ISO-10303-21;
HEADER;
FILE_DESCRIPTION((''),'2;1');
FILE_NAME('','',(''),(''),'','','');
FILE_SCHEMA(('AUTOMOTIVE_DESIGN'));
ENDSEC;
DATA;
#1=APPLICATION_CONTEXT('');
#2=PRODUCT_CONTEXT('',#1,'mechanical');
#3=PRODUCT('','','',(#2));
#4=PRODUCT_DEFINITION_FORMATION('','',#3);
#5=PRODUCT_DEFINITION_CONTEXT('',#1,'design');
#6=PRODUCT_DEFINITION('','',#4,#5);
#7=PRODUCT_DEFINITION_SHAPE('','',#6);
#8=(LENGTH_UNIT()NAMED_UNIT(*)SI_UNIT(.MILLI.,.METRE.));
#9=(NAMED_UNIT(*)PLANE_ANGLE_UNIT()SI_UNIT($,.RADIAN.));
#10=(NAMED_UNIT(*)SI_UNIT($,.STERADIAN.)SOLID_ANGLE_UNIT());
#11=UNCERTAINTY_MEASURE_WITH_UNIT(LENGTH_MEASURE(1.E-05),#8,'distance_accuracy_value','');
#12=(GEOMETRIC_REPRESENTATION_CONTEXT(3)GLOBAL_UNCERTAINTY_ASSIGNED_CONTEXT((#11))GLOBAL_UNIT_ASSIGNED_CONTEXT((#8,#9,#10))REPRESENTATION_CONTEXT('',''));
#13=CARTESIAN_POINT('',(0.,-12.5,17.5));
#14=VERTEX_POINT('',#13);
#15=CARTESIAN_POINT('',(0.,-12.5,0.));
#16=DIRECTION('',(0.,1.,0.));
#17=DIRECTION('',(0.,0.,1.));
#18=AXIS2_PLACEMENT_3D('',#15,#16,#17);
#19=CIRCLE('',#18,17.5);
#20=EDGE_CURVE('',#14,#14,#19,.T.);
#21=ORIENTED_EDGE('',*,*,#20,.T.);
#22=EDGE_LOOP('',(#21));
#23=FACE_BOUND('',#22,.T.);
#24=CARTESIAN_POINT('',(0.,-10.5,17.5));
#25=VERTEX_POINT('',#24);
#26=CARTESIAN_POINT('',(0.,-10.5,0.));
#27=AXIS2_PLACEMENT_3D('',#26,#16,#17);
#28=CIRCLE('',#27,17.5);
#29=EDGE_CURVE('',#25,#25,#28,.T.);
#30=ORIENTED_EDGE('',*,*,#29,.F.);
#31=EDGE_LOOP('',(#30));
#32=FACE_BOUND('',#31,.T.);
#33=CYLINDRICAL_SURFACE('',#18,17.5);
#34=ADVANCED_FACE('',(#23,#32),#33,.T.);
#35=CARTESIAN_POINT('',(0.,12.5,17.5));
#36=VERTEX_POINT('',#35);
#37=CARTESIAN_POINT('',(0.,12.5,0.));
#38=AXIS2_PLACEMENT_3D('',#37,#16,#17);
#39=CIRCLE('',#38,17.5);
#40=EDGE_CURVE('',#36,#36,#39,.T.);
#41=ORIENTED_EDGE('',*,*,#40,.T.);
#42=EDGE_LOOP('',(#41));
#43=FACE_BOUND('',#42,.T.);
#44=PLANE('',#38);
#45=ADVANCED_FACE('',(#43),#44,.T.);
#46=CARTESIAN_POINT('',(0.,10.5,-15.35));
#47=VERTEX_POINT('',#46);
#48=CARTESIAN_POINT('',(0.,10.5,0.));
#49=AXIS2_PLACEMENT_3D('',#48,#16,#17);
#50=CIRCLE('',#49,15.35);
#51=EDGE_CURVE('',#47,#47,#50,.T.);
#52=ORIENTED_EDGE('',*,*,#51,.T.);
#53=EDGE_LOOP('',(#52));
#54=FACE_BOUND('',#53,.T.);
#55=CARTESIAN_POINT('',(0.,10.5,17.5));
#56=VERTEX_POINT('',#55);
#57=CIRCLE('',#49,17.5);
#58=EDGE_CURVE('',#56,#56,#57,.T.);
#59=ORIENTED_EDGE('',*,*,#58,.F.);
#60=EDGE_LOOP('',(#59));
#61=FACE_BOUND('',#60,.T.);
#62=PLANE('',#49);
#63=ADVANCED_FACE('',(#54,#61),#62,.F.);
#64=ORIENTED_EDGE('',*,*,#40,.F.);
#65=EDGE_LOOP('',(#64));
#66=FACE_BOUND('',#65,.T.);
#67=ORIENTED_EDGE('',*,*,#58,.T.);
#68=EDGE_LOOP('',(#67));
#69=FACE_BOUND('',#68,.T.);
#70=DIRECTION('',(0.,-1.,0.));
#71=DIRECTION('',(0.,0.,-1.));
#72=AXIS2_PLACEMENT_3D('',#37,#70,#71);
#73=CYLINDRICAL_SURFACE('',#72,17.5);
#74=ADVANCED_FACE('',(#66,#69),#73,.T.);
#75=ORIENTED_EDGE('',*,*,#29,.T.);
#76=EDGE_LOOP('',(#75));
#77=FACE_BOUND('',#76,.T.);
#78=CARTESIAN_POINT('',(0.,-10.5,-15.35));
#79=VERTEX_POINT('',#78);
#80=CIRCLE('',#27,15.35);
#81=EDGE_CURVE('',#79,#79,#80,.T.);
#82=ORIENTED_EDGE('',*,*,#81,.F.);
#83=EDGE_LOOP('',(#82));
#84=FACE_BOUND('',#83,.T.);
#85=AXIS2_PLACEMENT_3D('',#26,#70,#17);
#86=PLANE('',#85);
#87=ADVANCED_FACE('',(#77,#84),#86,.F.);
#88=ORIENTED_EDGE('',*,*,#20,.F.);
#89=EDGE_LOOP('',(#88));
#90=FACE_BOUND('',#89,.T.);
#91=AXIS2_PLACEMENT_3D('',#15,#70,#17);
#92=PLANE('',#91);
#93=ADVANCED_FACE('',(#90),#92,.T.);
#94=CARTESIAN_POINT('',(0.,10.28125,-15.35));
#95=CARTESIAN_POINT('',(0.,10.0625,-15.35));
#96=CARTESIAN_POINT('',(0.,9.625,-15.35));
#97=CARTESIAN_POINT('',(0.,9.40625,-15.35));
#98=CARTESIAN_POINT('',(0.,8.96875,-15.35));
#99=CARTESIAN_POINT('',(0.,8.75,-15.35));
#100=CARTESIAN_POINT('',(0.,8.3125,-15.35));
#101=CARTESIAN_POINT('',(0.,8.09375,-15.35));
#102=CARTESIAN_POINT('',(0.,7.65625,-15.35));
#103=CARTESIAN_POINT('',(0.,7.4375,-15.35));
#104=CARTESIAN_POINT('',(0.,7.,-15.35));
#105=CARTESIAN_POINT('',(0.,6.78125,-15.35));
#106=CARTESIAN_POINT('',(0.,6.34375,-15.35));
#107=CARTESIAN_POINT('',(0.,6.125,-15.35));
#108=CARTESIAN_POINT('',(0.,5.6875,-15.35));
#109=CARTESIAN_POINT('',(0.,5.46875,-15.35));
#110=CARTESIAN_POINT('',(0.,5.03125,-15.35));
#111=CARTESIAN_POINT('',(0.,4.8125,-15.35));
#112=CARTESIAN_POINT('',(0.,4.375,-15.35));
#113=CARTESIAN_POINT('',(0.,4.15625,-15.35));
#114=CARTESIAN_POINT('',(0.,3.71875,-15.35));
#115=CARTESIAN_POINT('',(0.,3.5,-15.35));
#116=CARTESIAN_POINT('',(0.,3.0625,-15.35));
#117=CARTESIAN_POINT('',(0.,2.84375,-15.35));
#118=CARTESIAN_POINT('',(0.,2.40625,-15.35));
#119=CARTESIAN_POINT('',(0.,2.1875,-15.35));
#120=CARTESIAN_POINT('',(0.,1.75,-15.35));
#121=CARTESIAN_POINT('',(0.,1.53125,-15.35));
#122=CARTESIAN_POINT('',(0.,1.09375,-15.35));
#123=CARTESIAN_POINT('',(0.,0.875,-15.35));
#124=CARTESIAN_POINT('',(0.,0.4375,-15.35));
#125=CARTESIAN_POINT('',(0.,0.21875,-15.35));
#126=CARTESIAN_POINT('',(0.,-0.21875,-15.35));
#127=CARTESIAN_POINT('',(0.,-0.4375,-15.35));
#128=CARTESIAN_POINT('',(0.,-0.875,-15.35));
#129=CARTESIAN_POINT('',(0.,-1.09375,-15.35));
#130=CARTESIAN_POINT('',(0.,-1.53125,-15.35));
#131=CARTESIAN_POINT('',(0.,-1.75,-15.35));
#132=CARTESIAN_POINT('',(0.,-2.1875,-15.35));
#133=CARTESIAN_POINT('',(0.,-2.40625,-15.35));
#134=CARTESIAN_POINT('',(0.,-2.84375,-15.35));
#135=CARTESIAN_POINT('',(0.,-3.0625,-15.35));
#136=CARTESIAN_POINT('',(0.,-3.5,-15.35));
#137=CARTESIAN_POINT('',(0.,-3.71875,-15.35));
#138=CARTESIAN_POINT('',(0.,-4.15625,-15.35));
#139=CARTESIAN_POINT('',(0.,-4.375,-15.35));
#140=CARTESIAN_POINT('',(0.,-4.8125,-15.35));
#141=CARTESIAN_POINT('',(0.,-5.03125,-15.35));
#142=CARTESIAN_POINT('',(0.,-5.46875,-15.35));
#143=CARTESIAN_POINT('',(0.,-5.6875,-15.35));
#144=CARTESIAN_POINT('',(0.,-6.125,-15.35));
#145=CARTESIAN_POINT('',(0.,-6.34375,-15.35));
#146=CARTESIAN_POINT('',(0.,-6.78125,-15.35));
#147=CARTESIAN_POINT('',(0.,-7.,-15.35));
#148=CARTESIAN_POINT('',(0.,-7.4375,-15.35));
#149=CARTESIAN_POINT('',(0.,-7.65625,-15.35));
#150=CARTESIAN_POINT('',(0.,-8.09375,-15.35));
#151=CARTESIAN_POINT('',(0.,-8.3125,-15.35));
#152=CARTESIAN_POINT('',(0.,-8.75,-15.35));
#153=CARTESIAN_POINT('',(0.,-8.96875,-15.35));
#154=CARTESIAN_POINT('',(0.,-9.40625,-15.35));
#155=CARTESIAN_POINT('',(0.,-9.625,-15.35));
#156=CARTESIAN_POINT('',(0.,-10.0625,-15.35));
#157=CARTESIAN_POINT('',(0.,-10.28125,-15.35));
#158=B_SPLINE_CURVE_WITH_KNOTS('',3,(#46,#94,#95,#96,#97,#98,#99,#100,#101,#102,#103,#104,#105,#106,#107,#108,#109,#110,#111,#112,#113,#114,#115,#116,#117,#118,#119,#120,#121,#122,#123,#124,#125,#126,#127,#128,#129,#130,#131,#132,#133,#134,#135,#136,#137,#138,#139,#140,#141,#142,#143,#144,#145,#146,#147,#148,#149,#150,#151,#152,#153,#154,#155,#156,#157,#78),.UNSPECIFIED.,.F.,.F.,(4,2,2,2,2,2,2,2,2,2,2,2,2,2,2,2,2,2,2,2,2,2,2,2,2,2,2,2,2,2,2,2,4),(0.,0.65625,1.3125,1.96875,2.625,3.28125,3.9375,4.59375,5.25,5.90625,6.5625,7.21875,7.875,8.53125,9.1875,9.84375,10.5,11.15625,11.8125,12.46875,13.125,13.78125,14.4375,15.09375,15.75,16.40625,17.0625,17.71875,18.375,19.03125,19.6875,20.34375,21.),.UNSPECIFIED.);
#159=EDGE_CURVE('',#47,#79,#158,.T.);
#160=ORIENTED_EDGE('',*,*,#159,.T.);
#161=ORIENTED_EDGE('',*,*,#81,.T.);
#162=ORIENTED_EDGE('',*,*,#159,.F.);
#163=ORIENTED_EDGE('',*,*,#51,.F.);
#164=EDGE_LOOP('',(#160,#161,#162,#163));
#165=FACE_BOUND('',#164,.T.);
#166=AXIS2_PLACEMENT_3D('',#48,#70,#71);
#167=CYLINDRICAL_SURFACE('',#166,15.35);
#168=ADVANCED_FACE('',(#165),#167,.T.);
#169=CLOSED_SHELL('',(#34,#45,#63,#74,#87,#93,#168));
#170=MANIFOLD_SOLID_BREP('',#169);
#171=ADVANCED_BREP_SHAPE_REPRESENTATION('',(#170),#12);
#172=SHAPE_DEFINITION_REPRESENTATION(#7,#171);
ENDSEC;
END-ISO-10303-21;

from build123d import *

# Parameters (mm, degrees)
SKETCH_1_R      = 15.35
EXTRUDE_1_DEPTH = 10.5
SKETCH_2_R      = 17.5
EXTRUDE_2_DEPTH = 2


with BuildPart() as part:
    # 草图1 → 凸台-拉伸1 (new, symmetric)
    with BuildSketch(Plane(origin=(0, 0, 0), x_dir=(1, 0, 0), z_dir=(0, 1, 0))):
        with Locations(Location((0, 0, 0), (0, 0, 90))):
            Circle(SKETCH_1_R)
    extrude(amount=EXTRUDE_1_DEPTH, both=True)

    # 草图2 → 凸台-拉伸2 (add)
    with BuildSketch(Plane(origin=(0, 10.5, 0), x_dir=(1, 0, 0), z_dir=(0, 1, 0))):
        with Locations(Location((0, 0, 0), (0, 0, 270))):
            Circle(SKETCH_2_R)
    extrude_2 = extrude(amount=EXTRUDE_2_DEPTH)

    # 镜向1: 凸台-拉伸2 across plane
    add(extrude_2.mirror(Plane.ZX))


solid = part.part
